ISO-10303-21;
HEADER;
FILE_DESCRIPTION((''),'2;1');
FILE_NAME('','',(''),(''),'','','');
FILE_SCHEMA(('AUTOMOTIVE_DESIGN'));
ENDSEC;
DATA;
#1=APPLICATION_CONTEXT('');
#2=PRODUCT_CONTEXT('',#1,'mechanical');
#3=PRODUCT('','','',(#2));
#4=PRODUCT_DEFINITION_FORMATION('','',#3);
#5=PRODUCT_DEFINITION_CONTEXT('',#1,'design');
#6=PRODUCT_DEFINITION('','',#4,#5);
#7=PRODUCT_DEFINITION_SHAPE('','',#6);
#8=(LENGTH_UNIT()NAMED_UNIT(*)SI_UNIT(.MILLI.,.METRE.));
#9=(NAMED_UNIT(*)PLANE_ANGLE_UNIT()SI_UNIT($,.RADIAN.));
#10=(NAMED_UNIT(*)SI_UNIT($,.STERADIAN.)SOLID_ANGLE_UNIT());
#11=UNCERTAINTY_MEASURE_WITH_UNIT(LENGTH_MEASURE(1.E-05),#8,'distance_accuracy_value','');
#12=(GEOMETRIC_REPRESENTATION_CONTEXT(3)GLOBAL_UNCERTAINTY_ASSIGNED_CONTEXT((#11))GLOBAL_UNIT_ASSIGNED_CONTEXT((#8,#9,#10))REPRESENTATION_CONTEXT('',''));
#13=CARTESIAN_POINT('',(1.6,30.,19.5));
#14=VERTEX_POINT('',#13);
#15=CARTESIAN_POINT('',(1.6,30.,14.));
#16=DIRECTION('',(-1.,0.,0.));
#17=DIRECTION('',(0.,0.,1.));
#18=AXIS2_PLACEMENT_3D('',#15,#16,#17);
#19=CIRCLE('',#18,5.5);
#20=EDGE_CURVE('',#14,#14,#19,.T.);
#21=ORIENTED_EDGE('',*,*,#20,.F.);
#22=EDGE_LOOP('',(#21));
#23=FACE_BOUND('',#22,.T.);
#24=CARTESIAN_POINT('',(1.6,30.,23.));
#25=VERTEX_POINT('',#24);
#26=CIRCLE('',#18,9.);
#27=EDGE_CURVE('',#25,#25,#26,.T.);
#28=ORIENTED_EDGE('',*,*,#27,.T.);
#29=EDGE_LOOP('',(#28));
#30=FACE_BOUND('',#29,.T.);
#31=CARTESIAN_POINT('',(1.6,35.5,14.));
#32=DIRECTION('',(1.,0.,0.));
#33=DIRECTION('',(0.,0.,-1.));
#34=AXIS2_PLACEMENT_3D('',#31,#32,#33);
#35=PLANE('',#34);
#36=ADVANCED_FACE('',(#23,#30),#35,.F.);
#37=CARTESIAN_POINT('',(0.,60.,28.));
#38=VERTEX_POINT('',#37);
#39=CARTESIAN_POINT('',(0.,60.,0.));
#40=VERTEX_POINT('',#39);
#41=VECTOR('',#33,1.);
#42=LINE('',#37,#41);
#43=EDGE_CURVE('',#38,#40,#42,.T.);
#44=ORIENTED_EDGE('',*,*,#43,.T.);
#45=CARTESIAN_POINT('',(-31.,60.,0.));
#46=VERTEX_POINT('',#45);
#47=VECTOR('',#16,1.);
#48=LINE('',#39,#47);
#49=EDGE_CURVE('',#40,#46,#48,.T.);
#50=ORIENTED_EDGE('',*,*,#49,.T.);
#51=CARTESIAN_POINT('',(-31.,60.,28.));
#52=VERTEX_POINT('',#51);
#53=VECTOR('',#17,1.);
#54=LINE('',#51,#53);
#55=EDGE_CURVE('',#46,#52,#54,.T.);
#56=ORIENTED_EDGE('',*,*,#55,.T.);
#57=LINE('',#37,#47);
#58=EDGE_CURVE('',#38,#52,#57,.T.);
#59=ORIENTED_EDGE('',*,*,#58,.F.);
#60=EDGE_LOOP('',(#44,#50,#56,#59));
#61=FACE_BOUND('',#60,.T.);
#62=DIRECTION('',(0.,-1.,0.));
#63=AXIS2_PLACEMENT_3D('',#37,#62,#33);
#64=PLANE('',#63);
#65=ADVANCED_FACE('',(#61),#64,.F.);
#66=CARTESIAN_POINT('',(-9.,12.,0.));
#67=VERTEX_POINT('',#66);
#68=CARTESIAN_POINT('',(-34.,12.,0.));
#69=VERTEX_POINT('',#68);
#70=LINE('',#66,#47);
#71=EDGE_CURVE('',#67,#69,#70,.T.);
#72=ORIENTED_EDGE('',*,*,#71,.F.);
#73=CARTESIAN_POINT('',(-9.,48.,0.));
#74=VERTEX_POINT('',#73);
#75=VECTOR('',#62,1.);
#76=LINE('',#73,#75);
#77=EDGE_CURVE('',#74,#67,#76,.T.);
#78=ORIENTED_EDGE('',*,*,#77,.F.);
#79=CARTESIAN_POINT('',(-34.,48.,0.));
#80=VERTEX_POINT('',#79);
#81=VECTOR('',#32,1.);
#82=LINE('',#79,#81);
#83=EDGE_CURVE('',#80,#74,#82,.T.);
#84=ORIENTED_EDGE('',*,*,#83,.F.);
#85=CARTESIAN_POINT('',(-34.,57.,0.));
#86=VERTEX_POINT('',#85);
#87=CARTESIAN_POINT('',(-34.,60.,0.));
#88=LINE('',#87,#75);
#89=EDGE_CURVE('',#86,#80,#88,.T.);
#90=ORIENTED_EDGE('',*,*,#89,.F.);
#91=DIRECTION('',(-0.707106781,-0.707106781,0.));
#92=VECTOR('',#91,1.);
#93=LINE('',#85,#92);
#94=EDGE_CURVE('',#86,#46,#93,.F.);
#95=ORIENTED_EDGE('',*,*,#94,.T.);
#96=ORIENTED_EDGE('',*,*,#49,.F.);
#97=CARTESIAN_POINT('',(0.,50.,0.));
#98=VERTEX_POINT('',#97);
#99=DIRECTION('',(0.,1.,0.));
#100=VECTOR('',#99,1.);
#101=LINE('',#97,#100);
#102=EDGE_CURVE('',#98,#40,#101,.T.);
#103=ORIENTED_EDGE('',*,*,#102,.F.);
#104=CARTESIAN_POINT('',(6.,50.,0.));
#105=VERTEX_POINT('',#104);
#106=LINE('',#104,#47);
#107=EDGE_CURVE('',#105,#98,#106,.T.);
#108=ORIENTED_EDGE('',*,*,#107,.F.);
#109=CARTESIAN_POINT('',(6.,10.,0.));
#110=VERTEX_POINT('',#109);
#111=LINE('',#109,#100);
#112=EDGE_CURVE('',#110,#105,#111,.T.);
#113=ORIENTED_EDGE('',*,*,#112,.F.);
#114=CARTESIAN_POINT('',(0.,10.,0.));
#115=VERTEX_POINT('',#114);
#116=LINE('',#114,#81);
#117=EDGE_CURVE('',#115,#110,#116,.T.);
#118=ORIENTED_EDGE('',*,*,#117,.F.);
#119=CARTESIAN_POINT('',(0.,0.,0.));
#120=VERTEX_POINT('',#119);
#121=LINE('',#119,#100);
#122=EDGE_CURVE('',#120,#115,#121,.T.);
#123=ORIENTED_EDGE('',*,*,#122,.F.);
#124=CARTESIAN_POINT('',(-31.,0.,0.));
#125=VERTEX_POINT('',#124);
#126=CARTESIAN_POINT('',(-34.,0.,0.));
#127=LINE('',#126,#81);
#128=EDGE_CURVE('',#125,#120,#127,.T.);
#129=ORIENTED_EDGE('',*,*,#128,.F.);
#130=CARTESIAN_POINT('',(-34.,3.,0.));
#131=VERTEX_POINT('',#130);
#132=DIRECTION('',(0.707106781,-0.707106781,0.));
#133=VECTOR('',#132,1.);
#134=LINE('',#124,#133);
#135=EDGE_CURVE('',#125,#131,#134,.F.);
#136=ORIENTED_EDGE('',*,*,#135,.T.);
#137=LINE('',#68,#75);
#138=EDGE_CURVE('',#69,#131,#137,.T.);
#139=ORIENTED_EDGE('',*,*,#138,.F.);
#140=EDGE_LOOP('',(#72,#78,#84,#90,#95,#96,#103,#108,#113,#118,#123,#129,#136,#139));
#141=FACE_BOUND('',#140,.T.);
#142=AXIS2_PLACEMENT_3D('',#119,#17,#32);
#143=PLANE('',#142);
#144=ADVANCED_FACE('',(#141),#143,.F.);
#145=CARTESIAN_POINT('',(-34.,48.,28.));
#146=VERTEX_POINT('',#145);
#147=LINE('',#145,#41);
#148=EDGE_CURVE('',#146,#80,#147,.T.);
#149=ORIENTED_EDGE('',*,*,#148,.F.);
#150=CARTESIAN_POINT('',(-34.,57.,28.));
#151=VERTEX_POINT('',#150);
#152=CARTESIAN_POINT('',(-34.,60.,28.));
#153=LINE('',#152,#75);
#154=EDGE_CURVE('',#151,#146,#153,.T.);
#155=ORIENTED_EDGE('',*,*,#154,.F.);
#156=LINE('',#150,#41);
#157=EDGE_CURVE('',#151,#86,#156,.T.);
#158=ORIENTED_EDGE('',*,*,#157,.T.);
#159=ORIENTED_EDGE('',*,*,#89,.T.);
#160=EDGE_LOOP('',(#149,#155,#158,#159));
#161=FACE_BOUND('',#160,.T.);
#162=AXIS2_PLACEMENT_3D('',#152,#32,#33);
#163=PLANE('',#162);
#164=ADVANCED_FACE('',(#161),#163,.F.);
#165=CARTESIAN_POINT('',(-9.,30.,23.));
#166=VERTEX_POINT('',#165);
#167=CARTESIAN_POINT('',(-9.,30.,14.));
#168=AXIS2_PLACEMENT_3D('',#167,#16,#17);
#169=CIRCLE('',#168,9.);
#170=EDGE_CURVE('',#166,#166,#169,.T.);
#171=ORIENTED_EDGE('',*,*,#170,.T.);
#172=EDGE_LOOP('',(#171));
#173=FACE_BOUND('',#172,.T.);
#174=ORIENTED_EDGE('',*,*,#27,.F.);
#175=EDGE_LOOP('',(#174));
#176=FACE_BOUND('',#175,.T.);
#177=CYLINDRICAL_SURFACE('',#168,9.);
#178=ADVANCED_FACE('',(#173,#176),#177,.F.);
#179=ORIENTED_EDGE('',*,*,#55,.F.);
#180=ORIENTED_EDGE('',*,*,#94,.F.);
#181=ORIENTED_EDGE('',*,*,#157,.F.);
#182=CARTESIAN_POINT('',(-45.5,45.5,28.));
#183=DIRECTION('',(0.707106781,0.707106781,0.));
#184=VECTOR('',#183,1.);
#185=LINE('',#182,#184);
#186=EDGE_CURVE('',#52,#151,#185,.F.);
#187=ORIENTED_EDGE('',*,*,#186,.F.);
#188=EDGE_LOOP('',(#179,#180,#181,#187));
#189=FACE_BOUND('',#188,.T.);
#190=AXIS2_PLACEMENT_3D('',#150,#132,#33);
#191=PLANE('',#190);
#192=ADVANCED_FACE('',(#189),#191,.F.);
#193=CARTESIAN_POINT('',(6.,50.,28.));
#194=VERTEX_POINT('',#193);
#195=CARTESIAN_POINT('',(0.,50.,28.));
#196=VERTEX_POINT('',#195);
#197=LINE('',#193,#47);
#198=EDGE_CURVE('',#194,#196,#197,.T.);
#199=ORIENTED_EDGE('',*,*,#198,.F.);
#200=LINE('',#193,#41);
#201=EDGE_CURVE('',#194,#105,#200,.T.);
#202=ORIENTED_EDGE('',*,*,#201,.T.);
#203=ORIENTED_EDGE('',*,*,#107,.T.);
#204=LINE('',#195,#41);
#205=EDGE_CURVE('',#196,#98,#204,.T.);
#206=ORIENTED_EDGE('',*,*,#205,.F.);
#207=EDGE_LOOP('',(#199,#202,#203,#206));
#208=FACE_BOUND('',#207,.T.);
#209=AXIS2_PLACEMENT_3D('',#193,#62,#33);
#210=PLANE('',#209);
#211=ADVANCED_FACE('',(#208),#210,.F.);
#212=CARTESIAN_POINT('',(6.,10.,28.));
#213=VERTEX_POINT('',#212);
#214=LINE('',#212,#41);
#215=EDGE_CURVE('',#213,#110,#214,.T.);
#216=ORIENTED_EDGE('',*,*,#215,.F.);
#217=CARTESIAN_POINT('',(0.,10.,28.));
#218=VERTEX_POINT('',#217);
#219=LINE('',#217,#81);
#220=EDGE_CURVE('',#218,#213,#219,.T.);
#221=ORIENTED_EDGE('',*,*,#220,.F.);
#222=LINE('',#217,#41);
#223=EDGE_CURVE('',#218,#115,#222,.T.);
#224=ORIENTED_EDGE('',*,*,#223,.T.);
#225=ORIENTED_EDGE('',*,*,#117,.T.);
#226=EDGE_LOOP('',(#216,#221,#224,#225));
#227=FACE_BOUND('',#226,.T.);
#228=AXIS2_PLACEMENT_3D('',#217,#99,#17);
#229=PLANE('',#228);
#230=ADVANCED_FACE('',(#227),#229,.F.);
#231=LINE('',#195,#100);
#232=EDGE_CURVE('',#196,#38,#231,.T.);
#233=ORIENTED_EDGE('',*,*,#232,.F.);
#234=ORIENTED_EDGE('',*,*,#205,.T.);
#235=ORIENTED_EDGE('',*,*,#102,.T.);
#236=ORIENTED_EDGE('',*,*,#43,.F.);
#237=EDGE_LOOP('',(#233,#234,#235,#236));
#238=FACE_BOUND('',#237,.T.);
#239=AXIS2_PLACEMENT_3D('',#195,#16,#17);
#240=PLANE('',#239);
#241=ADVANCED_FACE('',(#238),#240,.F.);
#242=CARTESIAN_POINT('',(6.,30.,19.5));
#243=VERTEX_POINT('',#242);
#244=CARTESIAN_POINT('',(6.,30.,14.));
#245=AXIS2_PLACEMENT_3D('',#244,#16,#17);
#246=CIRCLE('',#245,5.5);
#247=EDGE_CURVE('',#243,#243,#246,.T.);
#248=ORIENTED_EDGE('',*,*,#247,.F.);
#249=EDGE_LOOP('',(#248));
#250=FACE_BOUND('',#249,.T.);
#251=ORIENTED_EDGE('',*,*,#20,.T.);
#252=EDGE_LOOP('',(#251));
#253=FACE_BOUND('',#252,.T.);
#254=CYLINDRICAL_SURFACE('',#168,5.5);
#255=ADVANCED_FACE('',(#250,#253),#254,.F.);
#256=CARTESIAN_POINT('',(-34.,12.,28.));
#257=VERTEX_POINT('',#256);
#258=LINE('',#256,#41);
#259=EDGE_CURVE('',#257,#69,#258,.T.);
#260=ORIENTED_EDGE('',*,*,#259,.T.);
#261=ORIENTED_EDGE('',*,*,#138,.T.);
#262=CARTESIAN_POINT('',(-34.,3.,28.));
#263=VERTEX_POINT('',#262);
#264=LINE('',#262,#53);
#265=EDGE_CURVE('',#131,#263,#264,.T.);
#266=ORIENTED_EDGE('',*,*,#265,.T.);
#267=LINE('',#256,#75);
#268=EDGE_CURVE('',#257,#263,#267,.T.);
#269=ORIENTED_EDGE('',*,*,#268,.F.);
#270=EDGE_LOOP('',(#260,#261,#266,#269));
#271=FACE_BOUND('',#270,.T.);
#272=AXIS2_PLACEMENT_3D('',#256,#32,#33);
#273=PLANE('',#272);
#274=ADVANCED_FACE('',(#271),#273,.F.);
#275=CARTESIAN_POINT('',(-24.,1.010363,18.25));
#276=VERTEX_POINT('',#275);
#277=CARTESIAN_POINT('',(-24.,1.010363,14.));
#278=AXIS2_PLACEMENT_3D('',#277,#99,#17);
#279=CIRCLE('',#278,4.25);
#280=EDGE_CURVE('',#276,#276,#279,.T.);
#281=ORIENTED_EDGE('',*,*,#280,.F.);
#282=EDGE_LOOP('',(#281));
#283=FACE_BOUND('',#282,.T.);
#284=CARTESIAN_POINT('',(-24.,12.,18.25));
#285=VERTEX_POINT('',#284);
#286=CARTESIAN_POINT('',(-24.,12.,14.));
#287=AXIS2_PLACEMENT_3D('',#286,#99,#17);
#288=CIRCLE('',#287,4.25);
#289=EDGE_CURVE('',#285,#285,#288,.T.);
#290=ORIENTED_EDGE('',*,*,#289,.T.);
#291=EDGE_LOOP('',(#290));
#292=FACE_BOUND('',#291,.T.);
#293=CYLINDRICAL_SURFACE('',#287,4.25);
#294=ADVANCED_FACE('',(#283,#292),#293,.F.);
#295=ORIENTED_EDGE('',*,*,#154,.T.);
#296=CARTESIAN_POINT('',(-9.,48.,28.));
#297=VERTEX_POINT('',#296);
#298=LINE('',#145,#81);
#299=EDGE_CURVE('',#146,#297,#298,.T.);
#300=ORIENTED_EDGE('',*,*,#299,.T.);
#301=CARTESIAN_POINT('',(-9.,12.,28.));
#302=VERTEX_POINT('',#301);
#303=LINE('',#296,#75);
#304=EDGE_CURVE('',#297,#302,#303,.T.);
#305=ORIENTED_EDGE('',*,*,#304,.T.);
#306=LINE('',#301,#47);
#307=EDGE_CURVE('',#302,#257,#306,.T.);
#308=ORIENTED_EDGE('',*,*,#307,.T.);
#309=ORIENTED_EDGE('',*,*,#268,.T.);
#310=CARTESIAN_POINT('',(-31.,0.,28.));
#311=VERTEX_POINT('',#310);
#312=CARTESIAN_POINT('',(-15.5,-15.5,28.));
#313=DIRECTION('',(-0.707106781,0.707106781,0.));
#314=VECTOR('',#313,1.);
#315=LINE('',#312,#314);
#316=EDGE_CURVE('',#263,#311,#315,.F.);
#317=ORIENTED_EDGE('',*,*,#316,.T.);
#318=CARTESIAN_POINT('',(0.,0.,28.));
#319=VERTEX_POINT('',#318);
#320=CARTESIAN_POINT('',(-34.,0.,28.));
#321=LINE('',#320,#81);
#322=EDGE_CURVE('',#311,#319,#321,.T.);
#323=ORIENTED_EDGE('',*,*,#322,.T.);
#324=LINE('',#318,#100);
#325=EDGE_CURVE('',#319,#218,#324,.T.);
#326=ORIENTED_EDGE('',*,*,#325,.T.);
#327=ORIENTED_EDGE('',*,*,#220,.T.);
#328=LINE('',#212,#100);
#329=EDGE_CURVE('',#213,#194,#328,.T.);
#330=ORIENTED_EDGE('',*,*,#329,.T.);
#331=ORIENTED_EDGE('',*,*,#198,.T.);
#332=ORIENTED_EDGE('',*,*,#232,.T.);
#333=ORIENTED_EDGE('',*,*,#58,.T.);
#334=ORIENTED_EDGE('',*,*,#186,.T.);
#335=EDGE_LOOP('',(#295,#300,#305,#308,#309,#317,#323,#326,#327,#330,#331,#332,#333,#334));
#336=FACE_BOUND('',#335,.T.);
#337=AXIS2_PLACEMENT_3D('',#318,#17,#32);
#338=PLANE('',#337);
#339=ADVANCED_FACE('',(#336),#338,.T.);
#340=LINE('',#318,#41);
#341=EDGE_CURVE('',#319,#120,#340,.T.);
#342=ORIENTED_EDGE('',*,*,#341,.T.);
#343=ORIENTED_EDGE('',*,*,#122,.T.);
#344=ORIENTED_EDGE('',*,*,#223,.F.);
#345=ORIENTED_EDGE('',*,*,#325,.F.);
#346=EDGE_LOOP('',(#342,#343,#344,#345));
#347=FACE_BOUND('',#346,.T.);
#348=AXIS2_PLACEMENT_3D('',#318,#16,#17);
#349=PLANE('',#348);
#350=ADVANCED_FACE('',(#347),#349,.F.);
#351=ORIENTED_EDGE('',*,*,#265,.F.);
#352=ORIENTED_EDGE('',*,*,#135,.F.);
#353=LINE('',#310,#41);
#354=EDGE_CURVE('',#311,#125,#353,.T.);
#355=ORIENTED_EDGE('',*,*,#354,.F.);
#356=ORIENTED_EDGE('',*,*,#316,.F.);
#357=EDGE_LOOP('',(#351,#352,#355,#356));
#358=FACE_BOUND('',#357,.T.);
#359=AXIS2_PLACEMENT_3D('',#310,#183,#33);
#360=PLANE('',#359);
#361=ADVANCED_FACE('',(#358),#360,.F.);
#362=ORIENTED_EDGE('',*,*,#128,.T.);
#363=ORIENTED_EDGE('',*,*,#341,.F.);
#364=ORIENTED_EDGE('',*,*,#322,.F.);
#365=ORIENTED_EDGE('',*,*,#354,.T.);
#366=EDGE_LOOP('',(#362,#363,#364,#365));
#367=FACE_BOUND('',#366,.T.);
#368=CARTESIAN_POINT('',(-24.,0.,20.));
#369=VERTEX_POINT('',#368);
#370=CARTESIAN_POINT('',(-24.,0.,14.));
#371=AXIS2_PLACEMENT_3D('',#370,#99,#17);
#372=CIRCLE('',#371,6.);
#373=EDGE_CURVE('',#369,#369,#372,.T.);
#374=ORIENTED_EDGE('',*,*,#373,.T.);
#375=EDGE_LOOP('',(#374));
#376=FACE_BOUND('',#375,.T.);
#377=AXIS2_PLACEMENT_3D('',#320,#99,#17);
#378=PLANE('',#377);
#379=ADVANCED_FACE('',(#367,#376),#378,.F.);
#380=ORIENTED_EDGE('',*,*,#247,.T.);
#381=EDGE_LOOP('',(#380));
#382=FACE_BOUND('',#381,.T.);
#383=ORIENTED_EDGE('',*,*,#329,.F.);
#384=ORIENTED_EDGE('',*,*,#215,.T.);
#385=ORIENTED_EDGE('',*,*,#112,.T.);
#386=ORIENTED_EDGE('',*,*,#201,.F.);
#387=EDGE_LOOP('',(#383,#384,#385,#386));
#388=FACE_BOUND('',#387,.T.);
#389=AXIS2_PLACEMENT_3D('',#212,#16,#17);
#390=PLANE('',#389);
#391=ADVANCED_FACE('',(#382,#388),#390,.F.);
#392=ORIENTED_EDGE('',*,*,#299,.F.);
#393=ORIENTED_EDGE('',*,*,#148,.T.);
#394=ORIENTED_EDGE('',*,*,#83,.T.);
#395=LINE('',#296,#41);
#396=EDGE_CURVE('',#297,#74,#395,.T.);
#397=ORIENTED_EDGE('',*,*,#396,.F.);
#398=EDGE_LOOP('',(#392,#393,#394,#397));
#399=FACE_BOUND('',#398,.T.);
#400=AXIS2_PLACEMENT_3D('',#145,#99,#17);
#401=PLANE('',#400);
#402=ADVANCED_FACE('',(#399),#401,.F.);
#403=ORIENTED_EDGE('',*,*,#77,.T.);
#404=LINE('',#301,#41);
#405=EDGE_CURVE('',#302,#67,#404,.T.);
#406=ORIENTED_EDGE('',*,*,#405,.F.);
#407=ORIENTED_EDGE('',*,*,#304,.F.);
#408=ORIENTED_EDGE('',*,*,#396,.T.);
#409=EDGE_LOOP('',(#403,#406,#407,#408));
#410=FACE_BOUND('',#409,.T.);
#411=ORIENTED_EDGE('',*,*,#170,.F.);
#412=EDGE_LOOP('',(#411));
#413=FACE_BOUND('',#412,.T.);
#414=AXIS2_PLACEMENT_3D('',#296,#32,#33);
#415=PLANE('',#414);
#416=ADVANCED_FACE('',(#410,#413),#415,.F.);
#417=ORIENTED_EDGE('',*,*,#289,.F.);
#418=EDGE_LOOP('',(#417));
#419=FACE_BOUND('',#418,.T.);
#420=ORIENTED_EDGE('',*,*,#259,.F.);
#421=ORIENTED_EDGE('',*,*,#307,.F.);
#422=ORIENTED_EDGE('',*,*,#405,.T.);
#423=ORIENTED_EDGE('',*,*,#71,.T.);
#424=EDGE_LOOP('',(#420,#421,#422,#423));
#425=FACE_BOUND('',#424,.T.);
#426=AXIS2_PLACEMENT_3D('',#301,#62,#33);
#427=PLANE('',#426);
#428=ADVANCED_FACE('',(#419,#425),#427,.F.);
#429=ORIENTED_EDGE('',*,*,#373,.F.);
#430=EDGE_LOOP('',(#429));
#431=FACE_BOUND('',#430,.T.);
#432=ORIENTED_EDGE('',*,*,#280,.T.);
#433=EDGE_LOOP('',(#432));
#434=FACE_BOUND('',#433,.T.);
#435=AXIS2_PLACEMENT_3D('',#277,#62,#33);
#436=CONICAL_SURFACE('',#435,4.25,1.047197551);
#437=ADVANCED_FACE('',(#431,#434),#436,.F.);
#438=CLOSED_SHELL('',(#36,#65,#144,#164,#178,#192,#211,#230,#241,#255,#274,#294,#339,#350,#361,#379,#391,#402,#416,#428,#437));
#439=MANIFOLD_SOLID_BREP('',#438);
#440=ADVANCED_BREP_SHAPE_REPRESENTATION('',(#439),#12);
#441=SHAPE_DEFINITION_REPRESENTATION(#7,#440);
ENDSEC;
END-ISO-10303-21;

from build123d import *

# Parameters (mm, degrees)
BOSS_EXTRU_1_DEPTH                                 = 28
CHANFREIN1_SIZE                                    = 3
CHAMBRAGE_POUR_VIS_T_TE_HEXAGONALE_M10_D           = 11
CHAMBRAGE_POUR_VIS_T_TE_HEXAGONALE_M10_CBORE_D     = 18
CHAMBRAGE_POUR_VIS_T_TE_HEXAGONALE_M10_CBORE_DEPTH = 10.6


with BuildPart() as part:
    # Esquisse1 → Boss.-Extru.1 (new body)
    with BuildSketch(Plane.XY):
        Polygon((0, 0), (0, 10), (6, 10), (6, 50), (0, 50), (0, 60), (-34, 60), (-34, 48), (-9, 48), (-9, 12), (-34, 12), (-34, 0), align=None)
    extrude(amount=BOSS_EXTRU_1_DEPTH)

    # Chanfrein1
    chanfrein1_edges = [part.edges().sort_by_distance(p)[0] for p in [
        (-34, 0, 14),
        (-34, 60, 14),
    ]]
    chamfer(chanfrein1_edges, length=CHANFREIN1_SIZE)

    # Esquisse3 → Trou taraudé M101 (revolve, cut)
    with BuildSketch(Plane(origin=(-24, 12, 14), x_dir=(0, 0, 1), z_dir=(1, 0, 0))):
        Polygon((0, 0), (0, 12), (6, 12), (4.25, 10.989637029), (4.25, 0), align=None)
    revolve(axis=Axis((-24, 18.35, 14), (0, -1, 0)), mode=Mode.SUBTRACT)

    # Chambrage pour vis à tête hexagonale M101 (through all)
    with Locations(Plane.ZY.offset(9)):
        with Locations((14, 30)):
            CounterBoreHole(CHAMBRAGE_POUR_VIS_T_TE_HEXAGONALE_M10_D / 2, CHAMBRAGE_POUR_VIS_T_TE_HEXAGONALE_M10_CBORE_D / 2, CHAMBRAGE_POUR_VIS_T_TE_HEXAGONALE_M10_CBORE_DEPTH)


solid = part.part
